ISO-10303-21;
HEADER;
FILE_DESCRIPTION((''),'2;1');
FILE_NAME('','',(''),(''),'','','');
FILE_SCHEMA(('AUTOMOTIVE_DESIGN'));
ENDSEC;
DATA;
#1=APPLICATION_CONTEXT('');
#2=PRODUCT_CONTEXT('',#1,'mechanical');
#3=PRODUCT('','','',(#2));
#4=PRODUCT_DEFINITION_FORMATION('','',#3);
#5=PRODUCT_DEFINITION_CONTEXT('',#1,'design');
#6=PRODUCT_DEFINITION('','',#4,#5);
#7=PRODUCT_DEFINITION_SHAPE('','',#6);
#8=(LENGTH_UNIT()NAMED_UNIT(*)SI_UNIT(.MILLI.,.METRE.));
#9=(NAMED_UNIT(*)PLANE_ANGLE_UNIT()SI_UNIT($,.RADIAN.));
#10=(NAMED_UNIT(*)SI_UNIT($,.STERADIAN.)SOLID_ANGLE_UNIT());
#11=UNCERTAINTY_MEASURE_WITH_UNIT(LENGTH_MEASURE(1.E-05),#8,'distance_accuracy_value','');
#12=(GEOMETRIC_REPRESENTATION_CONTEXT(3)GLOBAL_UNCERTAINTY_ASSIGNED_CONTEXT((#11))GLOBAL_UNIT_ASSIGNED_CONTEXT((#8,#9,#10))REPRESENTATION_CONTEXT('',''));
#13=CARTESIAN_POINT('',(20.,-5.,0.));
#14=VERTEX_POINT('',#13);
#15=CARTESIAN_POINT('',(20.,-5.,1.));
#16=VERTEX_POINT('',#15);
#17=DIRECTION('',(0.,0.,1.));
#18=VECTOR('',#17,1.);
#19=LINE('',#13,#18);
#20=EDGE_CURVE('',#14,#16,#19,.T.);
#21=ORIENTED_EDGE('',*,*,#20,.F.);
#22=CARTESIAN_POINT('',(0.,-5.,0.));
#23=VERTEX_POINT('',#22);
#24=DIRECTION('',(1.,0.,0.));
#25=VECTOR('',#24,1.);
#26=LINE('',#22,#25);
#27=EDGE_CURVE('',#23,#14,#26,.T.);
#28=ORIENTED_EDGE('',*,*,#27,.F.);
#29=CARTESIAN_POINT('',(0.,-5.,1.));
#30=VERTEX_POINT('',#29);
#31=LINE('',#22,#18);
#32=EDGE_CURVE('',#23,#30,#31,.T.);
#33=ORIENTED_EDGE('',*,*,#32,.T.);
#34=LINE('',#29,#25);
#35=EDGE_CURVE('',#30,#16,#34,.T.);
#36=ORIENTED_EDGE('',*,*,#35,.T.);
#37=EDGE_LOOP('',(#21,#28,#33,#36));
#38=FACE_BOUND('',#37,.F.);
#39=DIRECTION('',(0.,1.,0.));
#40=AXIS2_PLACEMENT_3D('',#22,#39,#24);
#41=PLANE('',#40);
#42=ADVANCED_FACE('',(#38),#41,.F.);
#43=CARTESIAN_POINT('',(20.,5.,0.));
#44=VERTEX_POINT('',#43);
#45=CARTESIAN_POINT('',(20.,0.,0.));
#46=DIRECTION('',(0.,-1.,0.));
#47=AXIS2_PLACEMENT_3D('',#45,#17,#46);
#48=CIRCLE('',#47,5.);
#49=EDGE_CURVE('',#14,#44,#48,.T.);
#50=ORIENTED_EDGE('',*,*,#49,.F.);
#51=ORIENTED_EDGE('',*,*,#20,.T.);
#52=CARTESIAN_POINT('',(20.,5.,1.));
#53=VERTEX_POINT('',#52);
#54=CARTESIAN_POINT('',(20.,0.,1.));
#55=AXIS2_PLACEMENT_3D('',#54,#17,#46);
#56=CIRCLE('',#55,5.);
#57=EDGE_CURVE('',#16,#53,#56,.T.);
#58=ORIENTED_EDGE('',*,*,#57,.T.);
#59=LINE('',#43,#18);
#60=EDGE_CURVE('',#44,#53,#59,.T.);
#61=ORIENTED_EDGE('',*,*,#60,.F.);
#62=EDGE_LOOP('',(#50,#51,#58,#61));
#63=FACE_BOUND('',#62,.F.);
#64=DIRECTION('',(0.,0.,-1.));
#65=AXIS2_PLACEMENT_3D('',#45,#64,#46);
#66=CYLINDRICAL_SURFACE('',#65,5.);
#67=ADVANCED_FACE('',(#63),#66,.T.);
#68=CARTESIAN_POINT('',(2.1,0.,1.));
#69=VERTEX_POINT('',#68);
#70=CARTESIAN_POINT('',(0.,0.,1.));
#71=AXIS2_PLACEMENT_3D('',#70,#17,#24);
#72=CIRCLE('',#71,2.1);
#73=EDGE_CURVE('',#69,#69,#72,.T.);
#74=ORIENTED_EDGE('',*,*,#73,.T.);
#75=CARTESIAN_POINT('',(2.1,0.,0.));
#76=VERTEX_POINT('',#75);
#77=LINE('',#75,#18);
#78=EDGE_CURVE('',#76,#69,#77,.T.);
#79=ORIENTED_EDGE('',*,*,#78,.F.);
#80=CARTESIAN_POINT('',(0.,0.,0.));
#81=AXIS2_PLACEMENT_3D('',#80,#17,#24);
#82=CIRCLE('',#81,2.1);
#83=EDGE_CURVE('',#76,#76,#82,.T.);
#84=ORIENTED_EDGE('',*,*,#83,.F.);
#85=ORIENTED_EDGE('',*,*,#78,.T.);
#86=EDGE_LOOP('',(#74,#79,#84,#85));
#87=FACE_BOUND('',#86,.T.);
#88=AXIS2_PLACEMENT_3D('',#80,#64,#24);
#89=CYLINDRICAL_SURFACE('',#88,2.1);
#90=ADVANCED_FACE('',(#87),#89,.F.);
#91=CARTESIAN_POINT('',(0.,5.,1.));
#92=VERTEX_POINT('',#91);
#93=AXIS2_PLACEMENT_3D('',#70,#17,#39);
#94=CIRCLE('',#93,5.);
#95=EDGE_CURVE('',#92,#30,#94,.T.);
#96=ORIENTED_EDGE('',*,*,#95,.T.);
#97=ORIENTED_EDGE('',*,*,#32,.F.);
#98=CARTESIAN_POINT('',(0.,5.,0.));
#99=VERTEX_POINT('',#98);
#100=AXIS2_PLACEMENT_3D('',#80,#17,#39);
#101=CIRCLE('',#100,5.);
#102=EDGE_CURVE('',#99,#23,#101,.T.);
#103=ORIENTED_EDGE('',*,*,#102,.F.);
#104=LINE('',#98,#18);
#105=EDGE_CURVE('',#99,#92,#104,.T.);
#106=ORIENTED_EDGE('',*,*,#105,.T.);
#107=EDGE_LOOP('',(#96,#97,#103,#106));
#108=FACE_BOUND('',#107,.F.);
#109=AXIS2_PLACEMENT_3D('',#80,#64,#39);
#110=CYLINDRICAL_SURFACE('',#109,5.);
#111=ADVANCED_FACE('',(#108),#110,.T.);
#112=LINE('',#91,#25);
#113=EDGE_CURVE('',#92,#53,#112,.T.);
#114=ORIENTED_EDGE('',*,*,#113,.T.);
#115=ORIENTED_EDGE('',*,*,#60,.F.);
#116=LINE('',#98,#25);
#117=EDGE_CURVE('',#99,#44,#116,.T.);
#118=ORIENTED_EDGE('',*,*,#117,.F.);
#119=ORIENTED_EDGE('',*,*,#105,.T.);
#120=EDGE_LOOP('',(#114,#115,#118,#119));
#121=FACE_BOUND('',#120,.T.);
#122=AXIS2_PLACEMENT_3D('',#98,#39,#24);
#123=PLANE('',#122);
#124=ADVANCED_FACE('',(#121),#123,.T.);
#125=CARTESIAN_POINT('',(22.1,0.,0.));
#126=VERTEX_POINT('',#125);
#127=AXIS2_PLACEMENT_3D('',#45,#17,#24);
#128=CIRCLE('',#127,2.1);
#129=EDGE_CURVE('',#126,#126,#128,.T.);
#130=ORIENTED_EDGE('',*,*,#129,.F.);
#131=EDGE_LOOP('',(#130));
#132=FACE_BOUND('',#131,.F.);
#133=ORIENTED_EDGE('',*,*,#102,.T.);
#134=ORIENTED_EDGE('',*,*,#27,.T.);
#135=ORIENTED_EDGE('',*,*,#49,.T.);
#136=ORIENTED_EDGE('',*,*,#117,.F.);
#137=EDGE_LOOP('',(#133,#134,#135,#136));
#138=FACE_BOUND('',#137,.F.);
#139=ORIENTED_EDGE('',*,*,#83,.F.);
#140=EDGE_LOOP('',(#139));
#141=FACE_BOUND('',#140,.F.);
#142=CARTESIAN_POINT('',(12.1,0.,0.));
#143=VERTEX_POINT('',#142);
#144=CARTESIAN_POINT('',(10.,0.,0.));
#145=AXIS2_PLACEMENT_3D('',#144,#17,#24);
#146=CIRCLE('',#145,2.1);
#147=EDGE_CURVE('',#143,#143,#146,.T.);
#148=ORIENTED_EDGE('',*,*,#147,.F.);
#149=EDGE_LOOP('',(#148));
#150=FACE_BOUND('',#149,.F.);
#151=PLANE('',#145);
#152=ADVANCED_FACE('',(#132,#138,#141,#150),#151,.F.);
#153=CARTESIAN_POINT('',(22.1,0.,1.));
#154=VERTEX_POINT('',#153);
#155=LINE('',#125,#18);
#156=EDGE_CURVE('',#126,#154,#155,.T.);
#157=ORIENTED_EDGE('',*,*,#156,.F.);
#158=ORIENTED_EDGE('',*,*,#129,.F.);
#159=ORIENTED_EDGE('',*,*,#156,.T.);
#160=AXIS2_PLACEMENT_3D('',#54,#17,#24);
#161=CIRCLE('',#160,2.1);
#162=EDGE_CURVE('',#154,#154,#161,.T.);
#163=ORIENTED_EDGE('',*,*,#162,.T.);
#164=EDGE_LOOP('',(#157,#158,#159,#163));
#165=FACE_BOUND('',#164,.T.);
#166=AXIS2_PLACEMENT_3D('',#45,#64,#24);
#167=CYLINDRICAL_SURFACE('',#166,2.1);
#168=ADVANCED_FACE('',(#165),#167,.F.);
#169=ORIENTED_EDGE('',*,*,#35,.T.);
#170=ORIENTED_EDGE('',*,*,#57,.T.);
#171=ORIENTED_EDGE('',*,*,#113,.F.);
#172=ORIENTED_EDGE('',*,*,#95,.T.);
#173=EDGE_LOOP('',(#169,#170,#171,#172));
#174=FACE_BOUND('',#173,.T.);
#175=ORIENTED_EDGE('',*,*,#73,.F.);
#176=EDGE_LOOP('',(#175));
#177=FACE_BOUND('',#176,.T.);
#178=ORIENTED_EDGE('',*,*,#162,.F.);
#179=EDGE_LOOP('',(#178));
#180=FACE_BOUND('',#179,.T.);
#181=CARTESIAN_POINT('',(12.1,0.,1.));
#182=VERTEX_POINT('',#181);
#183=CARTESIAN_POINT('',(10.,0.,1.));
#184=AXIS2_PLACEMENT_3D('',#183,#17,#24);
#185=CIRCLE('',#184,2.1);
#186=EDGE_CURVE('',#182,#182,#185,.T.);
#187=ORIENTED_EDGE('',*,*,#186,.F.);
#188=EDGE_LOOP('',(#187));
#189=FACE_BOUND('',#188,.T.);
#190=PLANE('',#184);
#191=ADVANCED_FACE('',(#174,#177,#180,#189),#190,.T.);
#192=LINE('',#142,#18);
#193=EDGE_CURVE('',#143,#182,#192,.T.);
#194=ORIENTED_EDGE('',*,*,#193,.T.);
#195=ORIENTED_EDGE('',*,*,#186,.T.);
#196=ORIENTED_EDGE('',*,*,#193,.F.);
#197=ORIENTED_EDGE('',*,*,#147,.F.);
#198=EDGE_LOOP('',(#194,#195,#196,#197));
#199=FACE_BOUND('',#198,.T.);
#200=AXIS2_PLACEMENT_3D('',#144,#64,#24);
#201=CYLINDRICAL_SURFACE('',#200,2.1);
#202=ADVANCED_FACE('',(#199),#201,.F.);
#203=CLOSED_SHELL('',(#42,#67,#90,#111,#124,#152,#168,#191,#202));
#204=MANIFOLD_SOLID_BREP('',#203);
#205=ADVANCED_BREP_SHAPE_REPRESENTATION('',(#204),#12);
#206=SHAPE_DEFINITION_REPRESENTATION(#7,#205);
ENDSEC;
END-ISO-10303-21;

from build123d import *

# Parameters (mm, degrees)
SKETCH_R  = 2.1
PAD_DEPTH = 1


with BuildPart() as part:
    # Sketch → Pad (new body)
    with BuildSketch(Plane.XY):
        with BuildLine():
            ThreePointArc((0, 5), (-5, 0), (0, -5))
            Line((0, -5), (20, -5))
            ThreePointArc((20, -5), (25, 0), (20, 5))
            Line((0, 5), (20, 5))
        make_face()
        Circle(SKETCH_R, mode=Mode.SUBTRACT)
        with Locations((10, 0)):
            Circle(SKETCH_R, mode=Mode.SUBTRACT)
        with Locations((20, 0)):
            Circle(SKETCH_R, mode=Mode.SUBTRACT)
    extrude(amount=PAD_DEPTH)


solid = part.part
